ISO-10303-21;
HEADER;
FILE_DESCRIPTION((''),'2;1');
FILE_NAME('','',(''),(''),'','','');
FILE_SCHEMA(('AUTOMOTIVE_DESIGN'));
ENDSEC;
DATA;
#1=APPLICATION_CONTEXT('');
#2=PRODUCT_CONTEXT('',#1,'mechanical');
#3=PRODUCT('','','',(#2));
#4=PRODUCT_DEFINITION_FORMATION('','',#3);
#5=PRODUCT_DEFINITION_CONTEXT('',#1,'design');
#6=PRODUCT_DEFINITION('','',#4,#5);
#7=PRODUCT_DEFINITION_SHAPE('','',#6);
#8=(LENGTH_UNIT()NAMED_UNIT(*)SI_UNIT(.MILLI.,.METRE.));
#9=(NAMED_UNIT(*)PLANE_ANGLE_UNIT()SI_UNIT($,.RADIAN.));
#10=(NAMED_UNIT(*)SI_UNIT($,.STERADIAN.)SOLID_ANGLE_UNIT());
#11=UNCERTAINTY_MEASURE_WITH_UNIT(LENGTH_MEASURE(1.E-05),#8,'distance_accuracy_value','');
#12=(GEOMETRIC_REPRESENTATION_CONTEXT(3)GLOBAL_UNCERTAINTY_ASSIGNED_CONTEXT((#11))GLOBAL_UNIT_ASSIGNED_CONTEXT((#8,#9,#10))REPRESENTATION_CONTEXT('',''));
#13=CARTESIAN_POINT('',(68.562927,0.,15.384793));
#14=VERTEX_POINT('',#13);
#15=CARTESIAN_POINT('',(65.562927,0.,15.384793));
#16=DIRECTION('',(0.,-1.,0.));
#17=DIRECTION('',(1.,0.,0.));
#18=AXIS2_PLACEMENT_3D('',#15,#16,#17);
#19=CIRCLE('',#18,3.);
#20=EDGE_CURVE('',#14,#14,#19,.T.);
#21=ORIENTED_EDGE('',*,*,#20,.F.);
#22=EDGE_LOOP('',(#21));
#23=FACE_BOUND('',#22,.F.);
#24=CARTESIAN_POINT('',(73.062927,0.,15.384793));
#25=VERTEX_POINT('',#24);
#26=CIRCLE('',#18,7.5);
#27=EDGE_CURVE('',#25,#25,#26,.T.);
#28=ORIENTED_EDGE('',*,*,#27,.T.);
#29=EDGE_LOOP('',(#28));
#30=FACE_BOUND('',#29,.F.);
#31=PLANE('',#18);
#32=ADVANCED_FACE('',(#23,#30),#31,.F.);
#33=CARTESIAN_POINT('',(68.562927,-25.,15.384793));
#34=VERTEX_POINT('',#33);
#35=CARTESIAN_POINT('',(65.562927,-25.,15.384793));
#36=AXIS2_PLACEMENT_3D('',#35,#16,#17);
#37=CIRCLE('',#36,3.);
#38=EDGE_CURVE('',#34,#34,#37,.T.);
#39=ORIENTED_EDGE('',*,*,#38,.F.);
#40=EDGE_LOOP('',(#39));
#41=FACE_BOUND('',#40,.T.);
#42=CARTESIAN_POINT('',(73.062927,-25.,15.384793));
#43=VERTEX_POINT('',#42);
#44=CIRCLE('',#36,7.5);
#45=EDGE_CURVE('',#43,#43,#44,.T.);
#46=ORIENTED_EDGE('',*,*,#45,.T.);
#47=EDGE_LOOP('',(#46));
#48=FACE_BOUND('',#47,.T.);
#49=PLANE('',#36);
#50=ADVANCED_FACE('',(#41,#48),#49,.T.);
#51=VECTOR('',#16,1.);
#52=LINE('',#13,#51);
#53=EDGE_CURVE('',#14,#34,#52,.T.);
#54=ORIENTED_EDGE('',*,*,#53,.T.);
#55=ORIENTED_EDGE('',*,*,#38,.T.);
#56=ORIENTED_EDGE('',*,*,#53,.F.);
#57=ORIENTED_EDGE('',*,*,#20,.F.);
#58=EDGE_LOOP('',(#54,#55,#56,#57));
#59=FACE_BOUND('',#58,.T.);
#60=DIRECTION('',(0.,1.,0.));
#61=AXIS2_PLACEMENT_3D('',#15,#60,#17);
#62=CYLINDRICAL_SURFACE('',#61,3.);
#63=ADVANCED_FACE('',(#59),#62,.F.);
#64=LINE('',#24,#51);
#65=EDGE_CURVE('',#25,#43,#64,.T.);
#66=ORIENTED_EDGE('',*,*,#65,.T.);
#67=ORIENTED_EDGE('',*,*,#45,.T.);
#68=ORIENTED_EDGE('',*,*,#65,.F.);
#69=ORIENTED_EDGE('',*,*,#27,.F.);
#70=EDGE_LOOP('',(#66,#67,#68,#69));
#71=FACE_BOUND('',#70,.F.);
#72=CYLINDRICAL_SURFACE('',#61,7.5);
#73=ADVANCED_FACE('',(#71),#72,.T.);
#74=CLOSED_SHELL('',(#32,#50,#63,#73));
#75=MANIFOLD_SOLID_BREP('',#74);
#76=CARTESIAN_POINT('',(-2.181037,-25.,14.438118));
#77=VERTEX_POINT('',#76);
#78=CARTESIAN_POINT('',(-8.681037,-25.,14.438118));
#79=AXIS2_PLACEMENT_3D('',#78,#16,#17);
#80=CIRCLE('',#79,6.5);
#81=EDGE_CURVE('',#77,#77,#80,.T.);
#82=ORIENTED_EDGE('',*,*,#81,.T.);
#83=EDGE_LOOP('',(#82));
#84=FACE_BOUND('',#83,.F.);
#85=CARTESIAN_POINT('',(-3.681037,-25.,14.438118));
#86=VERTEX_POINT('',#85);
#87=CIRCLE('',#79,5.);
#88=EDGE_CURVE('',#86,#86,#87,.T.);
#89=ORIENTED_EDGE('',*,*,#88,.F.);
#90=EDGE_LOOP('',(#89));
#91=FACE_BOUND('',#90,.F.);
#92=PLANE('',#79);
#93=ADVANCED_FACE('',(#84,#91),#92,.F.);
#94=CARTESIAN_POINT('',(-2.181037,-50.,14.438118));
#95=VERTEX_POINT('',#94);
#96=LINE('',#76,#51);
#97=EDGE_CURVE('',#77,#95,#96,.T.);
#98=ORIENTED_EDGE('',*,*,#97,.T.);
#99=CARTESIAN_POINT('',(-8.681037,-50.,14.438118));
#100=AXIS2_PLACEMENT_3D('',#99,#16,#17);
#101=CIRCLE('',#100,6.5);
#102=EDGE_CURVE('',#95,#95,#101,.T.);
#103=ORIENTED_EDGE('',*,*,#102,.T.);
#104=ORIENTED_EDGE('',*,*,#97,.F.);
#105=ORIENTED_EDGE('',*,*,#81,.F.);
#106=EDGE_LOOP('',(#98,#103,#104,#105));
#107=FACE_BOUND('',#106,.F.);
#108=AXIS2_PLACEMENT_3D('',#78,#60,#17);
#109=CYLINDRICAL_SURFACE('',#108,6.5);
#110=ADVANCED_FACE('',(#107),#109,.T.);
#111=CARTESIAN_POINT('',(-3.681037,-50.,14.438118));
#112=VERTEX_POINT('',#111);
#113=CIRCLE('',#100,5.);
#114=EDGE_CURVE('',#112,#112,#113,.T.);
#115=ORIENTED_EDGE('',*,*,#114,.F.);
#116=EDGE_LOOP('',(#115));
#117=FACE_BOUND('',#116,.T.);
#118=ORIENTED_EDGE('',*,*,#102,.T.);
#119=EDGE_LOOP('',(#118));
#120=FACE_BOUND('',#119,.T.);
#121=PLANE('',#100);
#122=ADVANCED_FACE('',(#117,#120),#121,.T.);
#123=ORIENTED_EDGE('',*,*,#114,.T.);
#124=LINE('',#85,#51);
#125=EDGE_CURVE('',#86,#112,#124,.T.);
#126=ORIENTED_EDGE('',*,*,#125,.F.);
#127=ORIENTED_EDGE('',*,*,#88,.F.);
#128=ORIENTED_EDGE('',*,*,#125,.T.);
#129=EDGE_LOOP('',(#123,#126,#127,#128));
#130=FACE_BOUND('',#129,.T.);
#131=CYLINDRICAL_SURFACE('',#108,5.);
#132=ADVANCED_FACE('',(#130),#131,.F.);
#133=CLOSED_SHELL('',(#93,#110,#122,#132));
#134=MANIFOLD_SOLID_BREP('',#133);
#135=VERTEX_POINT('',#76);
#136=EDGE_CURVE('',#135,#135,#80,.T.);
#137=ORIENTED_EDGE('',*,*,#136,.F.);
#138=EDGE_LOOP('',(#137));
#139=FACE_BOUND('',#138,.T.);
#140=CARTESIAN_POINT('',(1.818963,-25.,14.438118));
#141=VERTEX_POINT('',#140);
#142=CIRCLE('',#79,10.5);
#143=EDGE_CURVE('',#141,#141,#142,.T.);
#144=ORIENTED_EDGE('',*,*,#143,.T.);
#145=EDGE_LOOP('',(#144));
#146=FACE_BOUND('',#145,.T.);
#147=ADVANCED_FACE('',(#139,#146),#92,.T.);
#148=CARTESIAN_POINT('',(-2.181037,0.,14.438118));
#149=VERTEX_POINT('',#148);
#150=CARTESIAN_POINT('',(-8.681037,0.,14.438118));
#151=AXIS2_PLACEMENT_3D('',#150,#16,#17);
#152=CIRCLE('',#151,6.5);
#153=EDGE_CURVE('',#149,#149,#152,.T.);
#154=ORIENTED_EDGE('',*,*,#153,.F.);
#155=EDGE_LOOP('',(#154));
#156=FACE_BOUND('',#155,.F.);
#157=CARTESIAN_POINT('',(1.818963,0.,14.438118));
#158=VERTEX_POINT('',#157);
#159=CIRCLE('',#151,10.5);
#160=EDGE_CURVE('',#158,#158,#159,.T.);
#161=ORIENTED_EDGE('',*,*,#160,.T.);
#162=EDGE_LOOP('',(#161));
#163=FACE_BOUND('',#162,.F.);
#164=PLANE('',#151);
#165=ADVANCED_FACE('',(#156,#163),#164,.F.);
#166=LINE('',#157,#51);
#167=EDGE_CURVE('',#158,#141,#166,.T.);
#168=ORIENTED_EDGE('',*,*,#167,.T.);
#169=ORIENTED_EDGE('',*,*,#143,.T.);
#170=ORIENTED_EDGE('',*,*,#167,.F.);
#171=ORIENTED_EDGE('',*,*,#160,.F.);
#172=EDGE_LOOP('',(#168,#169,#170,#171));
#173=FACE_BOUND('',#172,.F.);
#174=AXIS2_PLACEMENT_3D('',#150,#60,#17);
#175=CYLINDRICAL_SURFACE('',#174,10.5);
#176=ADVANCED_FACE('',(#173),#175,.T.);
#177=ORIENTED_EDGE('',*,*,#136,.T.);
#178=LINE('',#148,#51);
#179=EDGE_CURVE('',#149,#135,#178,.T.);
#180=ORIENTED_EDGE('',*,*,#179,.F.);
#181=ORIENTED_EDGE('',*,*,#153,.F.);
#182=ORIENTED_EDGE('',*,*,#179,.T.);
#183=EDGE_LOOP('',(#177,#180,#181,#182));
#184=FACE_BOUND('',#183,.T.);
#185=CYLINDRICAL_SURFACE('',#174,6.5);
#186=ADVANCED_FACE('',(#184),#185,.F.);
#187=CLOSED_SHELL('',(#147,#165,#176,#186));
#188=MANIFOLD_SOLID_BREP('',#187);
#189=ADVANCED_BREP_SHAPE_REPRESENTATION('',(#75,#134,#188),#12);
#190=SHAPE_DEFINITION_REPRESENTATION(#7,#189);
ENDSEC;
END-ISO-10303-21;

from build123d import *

# Parameters (mm, degrees)
F0_R     = 10.5
F0_R_2   = 6.5
F0_R_3   = 7.5
F0_R_4   = 3
F1_DEPTH = 25
F2_R     = 6.5
F2_R_2   = 5
F3_DEPTH = 25


with BuildPart() as f1:
    # F0 (on Front) → F1 (new body)
    with BuildSketch(Plane.XZ):
        with Locations((-8.681037, 14.438118)):
            Circle(F0_R)
        with Locations((-8.681037, 14.438118)):
            Circle(F0_R_2, mode=Mode.SUBTRACT)
        with Locations((65.562927, 15.384793)):
            Circle(F0_R_3)
        with Locations((65.562927, 15.384793)):
            Circle(F0_R_4, mode=Mode.SUBTRACT)
    extrude(amount=F1_DEPTH)


with BuildPart() as f3:
    # F2 (on face) → F3 (new body)
    with BuildSketch(Plane.XZ.offset(25)):
        with Locations((-8.681037, 14.438118)):
            Circle(F2_R)
        with Locations((-8.681037, 14.438118)):
            Circle(F2_R_2, mode=Mode.SUBTRACT)
    extrude(amount=F3_DEPTH)


solid = Compound([f1.part, f3.part])
